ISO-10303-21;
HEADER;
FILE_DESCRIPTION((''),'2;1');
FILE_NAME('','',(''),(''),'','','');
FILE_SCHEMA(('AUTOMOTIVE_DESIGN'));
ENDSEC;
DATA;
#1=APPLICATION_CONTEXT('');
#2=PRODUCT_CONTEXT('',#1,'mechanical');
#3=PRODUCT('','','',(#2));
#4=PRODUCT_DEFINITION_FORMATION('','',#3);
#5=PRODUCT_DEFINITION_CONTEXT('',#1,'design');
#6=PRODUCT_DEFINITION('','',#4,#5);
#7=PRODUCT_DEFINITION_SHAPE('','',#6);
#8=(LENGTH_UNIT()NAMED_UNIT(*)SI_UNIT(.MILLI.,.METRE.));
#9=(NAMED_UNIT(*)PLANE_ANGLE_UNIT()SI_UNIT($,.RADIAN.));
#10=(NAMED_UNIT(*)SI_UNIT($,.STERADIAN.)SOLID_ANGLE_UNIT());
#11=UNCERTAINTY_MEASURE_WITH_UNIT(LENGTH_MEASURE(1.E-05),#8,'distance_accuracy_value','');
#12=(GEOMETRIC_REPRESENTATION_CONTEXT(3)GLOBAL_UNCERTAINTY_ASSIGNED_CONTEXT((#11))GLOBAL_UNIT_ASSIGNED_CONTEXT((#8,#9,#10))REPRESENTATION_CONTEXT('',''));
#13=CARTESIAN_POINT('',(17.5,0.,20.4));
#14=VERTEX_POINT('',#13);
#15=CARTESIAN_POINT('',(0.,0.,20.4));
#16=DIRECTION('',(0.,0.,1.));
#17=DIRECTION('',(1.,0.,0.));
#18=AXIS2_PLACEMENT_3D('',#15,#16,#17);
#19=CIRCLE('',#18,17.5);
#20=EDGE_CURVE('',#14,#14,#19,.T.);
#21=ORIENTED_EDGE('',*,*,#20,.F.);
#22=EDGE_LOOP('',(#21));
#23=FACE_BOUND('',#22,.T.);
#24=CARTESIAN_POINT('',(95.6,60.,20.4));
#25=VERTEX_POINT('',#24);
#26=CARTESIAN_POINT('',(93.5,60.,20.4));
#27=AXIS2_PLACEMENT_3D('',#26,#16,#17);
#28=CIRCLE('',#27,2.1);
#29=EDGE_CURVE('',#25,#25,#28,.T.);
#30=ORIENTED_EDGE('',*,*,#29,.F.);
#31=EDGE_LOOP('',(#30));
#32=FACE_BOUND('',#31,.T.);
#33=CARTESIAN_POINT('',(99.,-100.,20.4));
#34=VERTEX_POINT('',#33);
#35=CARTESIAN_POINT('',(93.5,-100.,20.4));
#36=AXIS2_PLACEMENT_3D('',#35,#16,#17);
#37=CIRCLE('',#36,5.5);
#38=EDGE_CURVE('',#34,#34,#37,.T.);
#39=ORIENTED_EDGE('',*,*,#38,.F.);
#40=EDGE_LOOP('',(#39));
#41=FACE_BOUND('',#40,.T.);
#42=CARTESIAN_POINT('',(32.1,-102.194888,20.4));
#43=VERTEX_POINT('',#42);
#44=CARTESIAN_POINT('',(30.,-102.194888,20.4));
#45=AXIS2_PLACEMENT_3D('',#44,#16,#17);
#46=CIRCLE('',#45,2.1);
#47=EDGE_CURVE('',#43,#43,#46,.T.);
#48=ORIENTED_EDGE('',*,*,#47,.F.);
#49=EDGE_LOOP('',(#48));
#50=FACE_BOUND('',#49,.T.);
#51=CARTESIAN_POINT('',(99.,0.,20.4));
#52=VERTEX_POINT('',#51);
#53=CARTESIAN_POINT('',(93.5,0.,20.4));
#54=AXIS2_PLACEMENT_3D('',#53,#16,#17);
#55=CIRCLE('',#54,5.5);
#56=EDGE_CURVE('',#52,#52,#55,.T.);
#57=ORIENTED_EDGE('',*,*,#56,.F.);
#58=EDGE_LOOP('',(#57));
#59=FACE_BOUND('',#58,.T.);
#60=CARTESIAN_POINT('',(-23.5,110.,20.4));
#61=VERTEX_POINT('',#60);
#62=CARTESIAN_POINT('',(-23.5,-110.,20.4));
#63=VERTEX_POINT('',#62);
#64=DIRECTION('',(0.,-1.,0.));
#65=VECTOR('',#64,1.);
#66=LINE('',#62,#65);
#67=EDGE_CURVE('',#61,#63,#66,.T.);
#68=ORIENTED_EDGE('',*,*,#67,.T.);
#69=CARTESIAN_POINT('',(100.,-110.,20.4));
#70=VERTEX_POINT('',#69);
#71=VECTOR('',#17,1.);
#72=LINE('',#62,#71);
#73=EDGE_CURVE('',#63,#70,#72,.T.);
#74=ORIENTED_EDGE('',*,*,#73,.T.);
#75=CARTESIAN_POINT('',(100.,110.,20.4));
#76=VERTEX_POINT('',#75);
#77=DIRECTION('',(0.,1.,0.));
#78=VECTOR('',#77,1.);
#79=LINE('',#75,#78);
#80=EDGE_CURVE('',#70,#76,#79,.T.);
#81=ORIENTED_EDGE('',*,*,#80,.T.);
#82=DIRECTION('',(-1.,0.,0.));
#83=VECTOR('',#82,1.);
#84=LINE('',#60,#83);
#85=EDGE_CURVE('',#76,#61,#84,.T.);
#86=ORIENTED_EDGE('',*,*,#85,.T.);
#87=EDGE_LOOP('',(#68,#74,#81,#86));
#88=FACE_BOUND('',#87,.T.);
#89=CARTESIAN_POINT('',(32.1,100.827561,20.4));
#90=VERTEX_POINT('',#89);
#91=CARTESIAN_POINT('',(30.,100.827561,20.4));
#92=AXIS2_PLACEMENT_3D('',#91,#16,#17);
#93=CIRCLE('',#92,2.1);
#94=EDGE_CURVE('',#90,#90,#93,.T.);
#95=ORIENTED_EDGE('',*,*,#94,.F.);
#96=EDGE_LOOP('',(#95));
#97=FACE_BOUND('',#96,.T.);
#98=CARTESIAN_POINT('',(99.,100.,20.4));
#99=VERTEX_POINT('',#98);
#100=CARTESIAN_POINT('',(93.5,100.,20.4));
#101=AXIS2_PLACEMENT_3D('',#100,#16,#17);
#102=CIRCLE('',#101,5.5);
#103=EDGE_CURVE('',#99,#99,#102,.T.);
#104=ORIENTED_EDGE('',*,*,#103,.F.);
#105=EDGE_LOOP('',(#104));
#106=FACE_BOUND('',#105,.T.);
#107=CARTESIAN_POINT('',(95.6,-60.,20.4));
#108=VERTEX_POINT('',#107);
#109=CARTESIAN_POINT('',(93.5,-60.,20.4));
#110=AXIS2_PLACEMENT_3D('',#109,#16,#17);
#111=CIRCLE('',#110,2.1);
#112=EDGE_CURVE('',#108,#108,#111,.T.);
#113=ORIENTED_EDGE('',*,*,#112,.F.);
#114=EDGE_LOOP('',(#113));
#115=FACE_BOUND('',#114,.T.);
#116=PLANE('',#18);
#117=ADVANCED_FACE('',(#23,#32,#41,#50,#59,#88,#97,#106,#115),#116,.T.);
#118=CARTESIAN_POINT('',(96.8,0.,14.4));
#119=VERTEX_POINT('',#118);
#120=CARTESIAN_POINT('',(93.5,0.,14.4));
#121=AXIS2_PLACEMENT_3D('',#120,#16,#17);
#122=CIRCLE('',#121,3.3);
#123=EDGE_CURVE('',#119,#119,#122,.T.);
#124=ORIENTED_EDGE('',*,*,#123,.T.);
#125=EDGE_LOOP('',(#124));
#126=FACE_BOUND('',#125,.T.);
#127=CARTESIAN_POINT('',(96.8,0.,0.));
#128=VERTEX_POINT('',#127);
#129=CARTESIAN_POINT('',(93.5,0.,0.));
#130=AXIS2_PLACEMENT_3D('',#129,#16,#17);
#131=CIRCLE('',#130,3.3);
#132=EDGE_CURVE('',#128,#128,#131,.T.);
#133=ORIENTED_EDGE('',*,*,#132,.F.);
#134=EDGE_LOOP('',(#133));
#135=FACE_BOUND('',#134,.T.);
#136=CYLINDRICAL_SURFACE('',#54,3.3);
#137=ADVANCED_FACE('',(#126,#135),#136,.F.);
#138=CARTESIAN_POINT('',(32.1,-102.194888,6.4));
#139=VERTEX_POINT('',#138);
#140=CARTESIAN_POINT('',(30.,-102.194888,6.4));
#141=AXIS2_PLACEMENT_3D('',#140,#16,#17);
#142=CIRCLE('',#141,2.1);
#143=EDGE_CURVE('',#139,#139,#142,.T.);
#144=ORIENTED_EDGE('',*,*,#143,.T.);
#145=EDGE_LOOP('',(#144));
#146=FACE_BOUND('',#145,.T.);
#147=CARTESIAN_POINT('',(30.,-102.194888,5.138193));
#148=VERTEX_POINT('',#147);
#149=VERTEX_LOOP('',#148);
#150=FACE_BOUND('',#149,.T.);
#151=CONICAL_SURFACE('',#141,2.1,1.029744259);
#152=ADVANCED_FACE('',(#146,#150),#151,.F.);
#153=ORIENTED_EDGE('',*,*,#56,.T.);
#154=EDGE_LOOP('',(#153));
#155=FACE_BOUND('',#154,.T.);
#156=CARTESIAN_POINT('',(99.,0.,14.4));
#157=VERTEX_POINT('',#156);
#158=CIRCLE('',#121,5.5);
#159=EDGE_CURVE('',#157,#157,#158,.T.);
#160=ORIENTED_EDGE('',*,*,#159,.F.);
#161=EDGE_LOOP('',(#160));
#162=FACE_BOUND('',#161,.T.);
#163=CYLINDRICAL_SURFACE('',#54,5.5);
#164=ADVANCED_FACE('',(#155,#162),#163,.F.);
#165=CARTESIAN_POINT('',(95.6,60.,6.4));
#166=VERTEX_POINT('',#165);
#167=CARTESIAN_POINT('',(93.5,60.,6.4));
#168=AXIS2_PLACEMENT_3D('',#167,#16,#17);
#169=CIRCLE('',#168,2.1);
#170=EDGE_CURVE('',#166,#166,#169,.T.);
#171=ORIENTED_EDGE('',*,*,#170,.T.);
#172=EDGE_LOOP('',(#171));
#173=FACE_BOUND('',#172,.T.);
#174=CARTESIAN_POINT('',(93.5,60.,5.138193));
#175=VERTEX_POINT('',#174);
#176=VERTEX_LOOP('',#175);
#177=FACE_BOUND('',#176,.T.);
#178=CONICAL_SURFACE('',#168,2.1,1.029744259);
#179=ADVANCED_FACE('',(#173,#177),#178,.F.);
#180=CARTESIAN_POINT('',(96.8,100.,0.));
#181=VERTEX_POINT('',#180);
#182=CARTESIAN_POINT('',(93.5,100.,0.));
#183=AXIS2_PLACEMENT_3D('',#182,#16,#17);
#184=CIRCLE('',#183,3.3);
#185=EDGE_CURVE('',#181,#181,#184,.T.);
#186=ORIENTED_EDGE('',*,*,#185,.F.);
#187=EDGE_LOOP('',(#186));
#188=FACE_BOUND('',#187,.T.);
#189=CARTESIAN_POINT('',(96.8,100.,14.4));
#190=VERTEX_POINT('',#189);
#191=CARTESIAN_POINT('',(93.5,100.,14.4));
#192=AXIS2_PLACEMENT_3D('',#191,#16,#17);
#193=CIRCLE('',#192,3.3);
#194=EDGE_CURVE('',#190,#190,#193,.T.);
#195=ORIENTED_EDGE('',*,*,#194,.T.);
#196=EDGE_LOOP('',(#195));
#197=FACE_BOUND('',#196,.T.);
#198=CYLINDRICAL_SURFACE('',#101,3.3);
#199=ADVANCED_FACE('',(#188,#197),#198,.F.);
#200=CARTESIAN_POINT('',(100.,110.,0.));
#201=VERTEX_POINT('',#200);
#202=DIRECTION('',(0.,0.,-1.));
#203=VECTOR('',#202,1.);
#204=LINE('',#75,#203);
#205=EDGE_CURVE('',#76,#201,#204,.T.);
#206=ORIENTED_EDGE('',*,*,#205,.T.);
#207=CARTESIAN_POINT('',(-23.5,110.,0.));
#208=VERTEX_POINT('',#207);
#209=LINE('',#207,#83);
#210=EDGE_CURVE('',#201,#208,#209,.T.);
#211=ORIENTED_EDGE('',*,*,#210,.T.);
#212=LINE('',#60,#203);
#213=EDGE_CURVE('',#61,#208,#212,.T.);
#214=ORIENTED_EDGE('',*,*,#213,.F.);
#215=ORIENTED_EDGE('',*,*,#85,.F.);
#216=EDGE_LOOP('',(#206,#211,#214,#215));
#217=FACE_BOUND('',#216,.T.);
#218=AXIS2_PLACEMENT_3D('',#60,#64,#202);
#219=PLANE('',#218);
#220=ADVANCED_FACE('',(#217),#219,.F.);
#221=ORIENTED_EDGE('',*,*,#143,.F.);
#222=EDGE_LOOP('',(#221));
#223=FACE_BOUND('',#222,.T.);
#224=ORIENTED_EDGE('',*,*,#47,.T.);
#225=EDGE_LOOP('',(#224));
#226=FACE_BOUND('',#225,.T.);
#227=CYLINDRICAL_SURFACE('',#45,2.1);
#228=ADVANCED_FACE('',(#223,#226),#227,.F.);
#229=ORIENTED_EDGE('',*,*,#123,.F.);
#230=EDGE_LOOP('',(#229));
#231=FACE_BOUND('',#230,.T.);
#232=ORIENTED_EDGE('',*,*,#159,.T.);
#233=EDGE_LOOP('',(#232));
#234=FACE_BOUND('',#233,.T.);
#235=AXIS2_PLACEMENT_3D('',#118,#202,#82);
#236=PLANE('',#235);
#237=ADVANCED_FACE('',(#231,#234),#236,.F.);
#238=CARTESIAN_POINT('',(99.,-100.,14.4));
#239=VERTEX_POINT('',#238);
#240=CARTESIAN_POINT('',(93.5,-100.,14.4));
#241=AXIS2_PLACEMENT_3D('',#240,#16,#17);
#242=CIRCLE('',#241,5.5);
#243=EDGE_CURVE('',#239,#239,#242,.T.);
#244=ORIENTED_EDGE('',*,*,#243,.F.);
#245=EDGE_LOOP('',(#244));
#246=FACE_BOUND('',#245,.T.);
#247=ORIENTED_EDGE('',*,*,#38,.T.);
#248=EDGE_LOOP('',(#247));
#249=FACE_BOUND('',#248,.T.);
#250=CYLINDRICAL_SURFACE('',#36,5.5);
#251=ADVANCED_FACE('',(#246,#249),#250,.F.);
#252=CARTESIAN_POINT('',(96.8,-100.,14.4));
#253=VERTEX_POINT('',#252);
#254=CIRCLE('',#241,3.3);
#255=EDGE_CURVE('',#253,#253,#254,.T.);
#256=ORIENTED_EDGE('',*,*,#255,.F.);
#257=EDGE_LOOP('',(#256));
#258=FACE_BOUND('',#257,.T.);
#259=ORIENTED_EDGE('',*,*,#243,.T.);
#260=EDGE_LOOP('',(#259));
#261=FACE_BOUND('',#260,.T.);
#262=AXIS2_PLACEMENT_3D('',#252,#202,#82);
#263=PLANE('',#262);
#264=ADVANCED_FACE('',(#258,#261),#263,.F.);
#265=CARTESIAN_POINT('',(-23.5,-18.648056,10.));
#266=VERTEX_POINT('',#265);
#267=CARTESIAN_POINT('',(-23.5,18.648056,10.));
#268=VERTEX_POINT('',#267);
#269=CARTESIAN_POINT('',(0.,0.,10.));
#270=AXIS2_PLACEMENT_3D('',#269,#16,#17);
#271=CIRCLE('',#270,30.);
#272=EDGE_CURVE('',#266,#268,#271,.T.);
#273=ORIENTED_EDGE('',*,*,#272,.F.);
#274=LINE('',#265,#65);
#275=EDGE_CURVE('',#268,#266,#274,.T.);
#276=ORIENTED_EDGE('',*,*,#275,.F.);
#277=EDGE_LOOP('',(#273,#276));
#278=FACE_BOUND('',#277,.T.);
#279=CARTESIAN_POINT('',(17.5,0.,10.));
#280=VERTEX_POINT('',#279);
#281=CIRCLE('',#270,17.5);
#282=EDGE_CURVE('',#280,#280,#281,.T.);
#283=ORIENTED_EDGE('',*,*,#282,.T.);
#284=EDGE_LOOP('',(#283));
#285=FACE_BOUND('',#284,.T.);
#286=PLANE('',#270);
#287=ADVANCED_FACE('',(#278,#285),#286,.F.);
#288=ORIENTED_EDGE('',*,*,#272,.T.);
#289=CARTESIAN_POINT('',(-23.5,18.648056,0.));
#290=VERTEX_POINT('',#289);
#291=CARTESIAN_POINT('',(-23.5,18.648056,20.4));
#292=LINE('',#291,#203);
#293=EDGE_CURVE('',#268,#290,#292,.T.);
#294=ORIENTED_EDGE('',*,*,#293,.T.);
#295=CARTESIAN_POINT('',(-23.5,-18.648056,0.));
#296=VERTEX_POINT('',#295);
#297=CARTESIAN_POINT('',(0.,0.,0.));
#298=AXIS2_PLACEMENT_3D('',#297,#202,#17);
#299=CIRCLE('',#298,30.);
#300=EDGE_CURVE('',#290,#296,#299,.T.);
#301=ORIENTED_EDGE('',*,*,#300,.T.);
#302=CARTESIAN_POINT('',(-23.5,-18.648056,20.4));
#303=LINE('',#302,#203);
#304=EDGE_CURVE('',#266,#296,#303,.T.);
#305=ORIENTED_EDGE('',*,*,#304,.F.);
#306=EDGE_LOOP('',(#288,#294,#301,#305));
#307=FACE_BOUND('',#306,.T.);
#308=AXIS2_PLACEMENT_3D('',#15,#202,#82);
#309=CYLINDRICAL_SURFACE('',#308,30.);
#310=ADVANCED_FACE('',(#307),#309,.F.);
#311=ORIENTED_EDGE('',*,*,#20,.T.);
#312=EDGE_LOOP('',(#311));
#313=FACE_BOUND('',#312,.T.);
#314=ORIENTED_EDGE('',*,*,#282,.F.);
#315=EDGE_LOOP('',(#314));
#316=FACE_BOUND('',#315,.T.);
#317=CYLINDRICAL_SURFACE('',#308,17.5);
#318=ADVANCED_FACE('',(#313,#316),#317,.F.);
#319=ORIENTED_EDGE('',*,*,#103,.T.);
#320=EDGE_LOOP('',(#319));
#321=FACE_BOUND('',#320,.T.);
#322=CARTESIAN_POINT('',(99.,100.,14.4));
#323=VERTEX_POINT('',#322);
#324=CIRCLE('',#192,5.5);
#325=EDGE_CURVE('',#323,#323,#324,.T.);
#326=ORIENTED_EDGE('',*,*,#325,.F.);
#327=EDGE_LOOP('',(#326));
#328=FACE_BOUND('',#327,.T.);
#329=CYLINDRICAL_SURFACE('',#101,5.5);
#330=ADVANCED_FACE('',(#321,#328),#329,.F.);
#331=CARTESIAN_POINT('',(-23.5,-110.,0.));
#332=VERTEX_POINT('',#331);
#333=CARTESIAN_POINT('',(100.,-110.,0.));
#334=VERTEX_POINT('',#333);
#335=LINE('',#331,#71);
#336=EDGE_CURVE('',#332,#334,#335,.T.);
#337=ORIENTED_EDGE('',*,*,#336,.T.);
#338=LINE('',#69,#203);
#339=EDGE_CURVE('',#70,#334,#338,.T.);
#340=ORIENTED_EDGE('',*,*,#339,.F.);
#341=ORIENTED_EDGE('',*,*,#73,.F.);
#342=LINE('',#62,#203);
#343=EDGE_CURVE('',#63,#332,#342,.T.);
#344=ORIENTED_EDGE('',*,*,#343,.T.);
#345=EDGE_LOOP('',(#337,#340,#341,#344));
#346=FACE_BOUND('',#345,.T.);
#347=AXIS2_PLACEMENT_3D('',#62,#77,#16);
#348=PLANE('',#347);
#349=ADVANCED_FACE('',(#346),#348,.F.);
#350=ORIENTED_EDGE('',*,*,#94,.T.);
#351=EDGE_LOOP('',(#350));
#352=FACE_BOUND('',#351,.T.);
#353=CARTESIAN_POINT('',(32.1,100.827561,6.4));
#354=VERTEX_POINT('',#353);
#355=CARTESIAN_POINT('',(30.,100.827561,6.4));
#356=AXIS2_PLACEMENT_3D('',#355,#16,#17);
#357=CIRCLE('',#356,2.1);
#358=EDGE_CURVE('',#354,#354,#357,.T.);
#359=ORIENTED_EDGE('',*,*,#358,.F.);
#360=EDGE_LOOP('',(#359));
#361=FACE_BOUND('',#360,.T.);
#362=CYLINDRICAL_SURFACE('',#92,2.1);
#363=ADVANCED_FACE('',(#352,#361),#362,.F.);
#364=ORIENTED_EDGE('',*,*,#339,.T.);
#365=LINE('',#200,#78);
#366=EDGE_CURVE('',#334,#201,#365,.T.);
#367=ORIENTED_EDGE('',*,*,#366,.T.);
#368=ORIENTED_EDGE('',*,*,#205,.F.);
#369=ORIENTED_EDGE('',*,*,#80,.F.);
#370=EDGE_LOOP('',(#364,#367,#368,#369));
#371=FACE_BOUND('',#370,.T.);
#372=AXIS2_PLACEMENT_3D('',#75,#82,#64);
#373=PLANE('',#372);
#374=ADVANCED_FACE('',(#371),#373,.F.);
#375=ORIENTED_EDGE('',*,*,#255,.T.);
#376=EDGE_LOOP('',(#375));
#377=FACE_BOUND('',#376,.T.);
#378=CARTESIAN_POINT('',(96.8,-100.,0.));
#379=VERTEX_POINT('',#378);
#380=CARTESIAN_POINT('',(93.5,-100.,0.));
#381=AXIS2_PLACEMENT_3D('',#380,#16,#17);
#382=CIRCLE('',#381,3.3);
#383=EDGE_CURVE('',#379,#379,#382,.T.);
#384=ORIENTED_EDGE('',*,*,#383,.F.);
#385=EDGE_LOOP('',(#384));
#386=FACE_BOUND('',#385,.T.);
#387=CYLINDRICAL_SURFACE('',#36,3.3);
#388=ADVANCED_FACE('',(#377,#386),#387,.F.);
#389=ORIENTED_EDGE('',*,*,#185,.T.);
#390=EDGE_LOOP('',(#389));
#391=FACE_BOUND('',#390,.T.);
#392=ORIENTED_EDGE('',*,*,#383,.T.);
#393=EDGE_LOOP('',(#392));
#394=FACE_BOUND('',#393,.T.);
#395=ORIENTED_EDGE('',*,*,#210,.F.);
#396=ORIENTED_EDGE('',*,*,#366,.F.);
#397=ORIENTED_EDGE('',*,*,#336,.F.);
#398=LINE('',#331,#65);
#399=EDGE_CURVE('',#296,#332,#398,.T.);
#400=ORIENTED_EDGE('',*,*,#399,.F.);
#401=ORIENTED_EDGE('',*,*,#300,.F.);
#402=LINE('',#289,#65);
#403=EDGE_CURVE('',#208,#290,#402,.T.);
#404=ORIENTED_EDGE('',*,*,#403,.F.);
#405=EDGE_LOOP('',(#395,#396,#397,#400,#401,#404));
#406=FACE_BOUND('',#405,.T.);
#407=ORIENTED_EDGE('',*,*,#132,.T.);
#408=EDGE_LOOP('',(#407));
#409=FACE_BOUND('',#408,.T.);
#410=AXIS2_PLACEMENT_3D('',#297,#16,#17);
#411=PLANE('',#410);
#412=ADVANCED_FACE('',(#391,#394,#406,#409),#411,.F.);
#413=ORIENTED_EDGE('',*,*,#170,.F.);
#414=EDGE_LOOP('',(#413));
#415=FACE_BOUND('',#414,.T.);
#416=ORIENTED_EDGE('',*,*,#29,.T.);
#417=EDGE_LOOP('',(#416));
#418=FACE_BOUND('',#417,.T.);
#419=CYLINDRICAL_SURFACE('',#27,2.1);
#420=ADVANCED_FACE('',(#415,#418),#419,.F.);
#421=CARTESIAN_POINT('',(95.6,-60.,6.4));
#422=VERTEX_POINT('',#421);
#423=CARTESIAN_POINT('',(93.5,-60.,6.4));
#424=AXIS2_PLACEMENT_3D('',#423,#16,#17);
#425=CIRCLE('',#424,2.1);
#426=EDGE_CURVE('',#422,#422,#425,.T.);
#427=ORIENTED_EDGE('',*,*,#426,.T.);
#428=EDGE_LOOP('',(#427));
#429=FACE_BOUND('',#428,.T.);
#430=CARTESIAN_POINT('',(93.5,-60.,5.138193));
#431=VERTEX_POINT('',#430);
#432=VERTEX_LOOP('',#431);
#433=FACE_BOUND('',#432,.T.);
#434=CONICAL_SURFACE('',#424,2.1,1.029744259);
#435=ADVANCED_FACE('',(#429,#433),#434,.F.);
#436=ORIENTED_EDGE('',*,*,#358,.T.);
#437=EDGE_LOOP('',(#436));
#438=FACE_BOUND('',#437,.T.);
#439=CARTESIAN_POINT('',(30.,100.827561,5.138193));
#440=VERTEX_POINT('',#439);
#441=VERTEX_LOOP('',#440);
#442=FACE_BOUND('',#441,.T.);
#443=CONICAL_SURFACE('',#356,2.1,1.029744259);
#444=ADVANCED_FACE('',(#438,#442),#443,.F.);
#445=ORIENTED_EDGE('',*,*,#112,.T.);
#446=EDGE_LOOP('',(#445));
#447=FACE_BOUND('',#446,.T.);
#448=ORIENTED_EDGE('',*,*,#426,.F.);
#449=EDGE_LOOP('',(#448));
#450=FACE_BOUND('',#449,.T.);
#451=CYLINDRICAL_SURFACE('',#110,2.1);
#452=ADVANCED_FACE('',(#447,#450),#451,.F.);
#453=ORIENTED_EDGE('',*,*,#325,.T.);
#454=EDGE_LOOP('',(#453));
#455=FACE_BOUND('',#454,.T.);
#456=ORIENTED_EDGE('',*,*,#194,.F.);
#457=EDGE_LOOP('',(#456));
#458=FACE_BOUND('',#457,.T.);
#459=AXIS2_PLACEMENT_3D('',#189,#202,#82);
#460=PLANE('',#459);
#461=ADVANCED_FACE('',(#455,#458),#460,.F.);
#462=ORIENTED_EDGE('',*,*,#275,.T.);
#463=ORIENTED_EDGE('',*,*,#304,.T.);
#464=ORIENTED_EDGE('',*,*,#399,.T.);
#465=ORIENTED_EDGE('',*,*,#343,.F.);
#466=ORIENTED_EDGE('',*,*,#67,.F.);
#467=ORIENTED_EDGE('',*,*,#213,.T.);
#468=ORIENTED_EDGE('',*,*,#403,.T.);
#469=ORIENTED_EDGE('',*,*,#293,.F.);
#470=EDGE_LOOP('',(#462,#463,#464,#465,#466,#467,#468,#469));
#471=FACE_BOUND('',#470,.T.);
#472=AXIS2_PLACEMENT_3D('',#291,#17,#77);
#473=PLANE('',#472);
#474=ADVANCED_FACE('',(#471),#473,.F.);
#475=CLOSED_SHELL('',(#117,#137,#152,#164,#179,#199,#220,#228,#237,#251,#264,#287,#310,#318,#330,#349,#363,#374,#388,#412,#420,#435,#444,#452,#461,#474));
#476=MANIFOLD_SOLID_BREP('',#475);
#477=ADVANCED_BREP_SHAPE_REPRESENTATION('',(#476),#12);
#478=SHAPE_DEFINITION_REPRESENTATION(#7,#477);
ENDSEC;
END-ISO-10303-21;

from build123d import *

# Parameters (mm, degrees)
RESSALTO_EXTRUS_O1_DEPTH          = 20.4
REBAIXO_PARA_SHCS_M61_D           = 6.6
REBAIXO_PARA_SHCS_M61_CBORE_D     = 11
REBAIXO_PARA_SHCS_M61_CBORE_DEPTH = 6
ESBO_O14_R                        = 17.5
RESSALTO_EXTRUS_O2_DEPTH          = 10.4
FURO_ROSCADO_DE_M5X0_81_D         = 4.2
FURO_ROSCADO_DE_M5X0_81_DEPTH     = 14
FURO_ROSCADO_DE_M5X0_81_TIP       = 1.2618073


with BuildPart() as part:
    # Esboço1 → Ressalto-extrusão1 (new body)
    with BuildSketch(Plane.XY):
        with BuildLine():
            Line((-23.5, 110), (100, 110))
            Line((100, 110), (100, -110))
            Line((100, -110), (-23.5, -110))
            Line((-23.5, -110), (-23.5, -18.648056199))
            ThreePointArc((-23.5, -18.648056199), (30, 0), (-23.5, 18.648056199))
            Line((-23.5, 18.648056199), (-23.5, 110))
        make_face()
    extrude(amount=RESSALTO_EXTRUS_O1_DEPTH)

    # Rebaixo para SHCS M61 (through all)
    with Locations(Plane.XY.offset(20.4)):
        with Locations((93.5, 100), (93.5, 0), (93.5, -100)):
            CounterBoreHole(REBAIXO_PARA_SHCS_M61_D / 2, REBAIXO_PARA_SHCS_M61_CBORE_D / 2, REBAIXO_PARA_SHCS_M61_CBORE_DEPTH)

    # Esboço14 → Ressalto-extrusão2 (add)
    with BuildSketch(Plane.XY.offset(10)):
        with BuildLine():
            Line((-23.5, -18.648056199), (-23.5, 18.648056199))
            ThreePointArc((-23.5, 18.648056199), (30, 0), (-23.5, -18.648056199))
        make_face()
        Circle(ESBO_O14_R, mode=Mode.SUBTRACT)
    extrude(amount=RESSALTO_EXTRUS_O2_DEPTH)

    # Furo roscado de M5x0.81
    with Locations(Plane.XY.offset(20.4)):
        with Locations((30, 100.827560784), (93.5, 60), (93.5, -60), (30, -102.194888391)):
            Hole(FURO_ROSCADO_DE_M5X0_81_D / 2, depth=FURO_ROSCADO_DE_M5X0_81_DEPTH)
            with Locations((0, 0, -(FURO_ROSCADO_DE_M5X0_81_DEPTH + FURO_ROSCADO_DE_M5X0_81_TIP / 2))):  # 118° drill point
                Cone(0, FURO_ROSCADO_DE_M5X0_81_D / 2, FURO_ROSCADO_DE_M5X0_81_TIP, mode=Mode.SUBTRACT)


solid = part.part
